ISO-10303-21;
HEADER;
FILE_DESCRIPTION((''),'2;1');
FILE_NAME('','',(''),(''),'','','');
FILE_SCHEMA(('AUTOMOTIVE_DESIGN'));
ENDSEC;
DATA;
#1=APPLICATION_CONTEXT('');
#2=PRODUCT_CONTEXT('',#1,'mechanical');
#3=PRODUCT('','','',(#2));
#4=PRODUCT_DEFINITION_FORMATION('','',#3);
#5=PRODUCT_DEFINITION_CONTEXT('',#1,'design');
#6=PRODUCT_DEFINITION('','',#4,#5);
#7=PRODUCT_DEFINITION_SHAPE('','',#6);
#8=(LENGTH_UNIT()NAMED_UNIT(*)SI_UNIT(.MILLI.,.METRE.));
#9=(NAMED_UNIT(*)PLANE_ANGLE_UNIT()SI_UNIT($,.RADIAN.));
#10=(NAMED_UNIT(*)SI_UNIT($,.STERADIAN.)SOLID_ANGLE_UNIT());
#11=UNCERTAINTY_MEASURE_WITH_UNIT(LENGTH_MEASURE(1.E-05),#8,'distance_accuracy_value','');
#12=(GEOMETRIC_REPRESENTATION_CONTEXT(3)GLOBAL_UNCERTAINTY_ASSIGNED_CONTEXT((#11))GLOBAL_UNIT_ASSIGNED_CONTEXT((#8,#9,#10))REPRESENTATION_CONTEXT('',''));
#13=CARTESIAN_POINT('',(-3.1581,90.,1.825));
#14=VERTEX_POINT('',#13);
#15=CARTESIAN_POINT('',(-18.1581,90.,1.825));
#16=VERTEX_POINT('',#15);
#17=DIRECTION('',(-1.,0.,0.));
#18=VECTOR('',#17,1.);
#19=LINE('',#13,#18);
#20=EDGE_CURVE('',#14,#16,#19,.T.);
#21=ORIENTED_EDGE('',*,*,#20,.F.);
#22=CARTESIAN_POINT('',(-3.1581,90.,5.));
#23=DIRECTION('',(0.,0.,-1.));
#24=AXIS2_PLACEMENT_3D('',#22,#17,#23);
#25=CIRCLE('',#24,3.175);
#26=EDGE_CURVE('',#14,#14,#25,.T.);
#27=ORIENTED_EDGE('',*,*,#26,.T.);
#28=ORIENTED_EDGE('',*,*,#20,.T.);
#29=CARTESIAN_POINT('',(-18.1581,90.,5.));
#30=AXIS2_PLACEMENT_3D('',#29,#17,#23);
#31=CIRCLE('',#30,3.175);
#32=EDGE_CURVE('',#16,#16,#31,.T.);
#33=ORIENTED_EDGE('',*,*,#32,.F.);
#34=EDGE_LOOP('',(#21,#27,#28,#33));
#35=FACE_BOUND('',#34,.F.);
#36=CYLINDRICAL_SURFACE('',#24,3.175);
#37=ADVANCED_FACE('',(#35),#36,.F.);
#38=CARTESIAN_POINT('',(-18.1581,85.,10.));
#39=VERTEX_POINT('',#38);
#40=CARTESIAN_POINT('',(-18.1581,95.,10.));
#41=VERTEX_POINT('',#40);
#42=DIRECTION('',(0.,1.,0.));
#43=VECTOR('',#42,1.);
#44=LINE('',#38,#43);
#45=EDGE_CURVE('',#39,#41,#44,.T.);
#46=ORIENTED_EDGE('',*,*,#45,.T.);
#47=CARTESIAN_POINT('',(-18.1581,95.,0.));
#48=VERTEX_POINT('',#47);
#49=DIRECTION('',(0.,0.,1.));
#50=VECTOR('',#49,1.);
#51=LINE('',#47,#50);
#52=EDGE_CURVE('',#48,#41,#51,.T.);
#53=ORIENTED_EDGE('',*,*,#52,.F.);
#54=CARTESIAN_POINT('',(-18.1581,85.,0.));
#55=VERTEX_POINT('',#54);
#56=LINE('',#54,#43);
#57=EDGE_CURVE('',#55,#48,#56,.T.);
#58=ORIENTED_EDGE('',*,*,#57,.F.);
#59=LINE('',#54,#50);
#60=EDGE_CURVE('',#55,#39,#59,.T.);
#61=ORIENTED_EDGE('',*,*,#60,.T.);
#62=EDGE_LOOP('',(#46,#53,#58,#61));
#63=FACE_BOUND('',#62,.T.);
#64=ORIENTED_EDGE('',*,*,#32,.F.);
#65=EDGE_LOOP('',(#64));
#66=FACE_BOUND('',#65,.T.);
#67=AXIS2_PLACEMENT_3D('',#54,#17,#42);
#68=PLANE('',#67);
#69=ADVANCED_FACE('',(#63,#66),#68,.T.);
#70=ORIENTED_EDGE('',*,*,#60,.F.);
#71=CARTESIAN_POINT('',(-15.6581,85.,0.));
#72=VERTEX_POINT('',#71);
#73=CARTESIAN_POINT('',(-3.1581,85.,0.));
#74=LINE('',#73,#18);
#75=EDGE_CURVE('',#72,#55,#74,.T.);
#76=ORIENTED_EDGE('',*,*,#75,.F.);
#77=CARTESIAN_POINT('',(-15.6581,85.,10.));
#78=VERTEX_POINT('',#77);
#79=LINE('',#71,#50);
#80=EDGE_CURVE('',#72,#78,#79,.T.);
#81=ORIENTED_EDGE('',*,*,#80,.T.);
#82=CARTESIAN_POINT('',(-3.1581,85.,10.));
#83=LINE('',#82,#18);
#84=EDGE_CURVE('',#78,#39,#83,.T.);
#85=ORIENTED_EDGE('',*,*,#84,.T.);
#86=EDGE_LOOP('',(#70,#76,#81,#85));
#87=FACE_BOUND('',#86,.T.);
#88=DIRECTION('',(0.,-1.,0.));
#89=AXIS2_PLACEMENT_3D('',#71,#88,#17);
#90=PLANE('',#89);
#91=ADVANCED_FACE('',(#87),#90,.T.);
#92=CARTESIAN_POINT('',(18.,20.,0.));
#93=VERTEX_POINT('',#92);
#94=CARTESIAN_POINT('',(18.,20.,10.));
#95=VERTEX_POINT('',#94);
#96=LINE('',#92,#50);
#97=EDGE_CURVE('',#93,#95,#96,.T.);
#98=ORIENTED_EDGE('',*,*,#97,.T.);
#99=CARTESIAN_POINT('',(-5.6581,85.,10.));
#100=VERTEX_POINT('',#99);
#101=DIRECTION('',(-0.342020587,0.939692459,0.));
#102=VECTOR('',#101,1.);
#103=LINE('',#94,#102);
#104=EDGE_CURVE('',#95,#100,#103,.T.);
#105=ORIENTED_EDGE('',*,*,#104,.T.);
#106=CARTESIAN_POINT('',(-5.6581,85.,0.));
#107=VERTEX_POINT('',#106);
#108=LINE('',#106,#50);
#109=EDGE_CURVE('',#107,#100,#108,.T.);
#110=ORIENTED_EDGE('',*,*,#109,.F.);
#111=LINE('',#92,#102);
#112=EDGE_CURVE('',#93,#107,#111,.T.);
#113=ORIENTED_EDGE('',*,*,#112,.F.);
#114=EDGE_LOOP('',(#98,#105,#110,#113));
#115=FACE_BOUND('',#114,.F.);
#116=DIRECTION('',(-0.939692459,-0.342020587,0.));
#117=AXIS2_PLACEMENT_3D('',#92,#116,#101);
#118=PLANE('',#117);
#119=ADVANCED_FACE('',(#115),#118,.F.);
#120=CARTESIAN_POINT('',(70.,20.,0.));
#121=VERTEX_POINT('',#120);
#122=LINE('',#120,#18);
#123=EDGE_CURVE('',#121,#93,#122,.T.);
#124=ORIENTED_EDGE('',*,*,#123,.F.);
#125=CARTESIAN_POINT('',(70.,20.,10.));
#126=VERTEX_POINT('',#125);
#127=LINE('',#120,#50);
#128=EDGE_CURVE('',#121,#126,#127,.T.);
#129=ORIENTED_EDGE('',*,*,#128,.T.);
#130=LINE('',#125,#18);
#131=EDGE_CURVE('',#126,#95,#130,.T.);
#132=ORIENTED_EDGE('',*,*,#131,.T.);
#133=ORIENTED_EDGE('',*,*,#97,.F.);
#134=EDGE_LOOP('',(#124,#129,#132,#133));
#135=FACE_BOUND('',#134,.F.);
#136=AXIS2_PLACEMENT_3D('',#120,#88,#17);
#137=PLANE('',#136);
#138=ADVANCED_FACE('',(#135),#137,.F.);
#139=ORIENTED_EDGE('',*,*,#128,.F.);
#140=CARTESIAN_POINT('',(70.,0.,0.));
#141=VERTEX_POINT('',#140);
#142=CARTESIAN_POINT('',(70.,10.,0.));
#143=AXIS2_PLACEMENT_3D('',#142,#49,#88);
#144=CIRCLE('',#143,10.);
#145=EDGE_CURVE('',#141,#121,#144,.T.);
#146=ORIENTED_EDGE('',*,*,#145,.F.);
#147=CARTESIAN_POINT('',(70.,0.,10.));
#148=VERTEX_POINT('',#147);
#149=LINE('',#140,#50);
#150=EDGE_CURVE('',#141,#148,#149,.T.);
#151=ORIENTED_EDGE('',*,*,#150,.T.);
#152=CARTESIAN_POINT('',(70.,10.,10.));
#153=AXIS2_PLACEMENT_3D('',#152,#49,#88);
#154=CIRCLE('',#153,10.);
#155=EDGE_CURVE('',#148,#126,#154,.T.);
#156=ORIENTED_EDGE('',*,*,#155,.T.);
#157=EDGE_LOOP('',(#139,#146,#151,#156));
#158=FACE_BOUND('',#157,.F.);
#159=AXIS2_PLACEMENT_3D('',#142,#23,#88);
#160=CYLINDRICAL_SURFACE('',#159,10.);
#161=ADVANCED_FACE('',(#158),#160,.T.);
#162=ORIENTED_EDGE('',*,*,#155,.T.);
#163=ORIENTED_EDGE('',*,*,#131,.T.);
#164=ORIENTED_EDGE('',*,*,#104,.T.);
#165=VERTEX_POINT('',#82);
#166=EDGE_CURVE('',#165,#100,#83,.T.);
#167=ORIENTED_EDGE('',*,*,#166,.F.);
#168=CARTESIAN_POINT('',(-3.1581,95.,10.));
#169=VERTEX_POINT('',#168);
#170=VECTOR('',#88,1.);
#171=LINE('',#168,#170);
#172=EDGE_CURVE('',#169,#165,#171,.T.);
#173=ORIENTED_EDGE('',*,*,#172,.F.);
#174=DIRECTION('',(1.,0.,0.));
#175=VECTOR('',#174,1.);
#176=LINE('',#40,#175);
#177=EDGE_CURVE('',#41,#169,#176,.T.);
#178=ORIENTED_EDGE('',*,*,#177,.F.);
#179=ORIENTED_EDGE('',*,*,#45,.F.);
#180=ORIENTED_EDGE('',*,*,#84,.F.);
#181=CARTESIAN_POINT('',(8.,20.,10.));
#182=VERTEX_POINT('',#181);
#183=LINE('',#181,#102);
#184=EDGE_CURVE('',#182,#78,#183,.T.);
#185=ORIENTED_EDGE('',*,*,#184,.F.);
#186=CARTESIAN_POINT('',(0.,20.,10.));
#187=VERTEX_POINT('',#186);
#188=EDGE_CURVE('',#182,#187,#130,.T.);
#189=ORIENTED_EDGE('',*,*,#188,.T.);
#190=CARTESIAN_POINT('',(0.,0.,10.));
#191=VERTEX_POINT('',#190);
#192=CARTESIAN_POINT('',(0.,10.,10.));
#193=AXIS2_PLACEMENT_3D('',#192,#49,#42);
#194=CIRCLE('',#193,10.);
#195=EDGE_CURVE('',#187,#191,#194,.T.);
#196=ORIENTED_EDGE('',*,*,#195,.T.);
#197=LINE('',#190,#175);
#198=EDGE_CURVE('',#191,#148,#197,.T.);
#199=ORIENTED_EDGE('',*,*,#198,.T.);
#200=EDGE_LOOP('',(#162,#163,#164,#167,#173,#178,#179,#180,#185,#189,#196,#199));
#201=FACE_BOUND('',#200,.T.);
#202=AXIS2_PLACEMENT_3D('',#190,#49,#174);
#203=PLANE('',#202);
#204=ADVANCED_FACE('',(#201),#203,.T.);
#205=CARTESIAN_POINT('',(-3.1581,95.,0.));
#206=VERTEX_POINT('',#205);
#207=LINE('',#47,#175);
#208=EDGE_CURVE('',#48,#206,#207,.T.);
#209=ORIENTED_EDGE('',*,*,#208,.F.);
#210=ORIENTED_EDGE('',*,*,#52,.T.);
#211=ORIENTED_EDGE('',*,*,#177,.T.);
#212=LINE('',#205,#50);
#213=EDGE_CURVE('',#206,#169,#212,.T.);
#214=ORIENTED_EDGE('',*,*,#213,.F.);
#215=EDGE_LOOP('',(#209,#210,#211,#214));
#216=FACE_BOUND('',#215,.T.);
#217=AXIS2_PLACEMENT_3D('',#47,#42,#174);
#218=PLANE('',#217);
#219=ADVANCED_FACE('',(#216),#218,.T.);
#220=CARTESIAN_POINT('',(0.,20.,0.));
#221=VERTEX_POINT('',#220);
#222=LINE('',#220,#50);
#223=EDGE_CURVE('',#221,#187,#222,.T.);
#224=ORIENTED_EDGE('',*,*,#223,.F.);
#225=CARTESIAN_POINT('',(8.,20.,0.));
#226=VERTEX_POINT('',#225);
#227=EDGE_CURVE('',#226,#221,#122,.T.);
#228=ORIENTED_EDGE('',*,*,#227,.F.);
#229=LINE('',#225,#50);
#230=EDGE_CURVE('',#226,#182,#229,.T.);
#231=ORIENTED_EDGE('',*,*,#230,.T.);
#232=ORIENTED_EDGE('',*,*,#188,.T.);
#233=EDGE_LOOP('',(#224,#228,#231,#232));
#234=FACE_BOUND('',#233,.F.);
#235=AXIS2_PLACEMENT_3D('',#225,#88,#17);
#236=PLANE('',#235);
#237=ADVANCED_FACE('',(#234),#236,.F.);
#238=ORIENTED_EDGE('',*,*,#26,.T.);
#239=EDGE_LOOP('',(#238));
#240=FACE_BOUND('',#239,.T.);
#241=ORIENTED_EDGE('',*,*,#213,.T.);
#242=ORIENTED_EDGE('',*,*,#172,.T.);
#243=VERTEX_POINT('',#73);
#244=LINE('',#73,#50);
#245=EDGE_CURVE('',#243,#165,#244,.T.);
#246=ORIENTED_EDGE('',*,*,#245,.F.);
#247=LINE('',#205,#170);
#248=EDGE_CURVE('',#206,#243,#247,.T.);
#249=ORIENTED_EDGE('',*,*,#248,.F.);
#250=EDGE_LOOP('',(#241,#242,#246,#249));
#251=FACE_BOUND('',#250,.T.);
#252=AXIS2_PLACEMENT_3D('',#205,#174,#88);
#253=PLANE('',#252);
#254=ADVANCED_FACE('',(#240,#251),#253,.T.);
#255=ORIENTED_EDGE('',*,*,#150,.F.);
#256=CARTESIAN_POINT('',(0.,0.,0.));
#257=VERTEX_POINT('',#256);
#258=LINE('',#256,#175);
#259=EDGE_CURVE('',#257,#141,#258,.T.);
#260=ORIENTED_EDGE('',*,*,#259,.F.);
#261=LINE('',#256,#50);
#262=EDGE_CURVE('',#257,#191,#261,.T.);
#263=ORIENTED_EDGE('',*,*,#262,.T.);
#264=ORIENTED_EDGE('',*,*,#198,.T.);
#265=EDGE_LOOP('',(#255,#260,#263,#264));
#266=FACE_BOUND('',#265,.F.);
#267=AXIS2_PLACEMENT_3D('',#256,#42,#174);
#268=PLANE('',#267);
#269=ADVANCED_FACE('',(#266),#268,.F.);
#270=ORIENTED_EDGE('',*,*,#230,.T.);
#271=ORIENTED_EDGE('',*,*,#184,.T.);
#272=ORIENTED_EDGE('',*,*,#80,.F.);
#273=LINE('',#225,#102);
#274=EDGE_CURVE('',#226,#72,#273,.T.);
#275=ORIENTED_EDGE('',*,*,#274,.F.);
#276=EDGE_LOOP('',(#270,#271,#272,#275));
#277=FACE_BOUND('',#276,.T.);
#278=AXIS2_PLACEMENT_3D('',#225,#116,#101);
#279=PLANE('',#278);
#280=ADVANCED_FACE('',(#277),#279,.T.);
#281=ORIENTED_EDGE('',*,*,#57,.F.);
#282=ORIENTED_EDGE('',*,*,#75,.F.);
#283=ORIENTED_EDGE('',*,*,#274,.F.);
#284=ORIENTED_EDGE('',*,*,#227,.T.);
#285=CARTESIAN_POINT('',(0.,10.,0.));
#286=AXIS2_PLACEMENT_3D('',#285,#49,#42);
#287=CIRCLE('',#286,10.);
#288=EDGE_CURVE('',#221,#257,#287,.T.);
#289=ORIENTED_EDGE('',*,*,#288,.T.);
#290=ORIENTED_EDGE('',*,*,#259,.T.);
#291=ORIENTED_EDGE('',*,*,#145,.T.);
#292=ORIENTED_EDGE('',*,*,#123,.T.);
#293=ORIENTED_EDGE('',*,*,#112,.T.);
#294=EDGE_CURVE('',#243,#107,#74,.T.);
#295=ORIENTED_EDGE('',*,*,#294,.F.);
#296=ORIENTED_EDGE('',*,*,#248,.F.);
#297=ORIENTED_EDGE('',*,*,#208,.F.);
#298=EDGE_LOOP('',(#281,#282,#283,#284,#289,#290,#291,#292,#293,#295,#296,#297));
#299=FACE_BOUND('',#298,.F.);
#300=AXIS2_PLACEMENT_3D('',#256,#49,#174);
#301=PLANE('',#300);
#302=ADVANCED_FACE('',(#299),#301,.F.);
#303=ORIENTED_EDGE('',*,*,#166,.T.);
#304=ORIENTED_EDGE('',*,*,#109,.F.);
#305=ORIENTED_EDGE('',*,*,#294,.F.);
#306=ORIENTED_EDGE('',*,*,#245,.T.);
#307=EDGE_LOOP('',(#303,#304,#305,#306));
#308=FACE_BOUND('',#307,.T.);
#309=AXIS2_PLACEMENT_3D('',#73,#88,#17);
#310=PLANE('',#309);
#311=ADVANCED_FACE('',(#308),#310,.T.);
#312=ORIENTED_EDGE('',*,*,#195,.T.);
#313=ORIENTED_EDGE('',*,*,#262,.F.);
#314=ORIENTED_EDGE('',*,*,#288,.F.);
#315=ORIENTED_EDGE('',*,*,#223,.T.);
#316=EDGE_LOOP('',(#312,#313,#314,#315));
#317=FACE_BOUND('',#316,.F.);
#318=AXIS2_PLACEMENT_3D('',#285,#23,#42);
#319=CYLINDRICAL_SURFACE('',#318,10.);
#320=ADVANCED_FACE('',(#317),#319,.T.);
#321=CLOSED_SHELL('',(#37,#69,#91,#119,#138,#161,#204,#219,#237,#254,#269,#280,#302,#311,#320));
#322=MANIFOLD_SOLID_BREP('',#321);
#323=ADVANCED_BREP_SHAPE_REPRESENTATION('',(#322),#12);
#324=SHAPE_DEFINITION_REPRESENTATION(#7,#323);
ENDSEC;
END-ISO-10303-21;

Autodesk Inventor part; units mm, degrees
ref_plane "YZ Plane" through (0, 0, 0) normal (1, 0, 0) x (0, 1, 0)
ref_plane "XZ Plane" through (0, 0, 0) normal (0, 1, 0) x (-1, 0, 0)
ref_plane "XY Plane" through (0, 0, 0) normal (0, 0, 1) x (1, 0, 0)
sketch "Szkic1" plane through (0, 0, 0) normal (0, 0, 1) x (1, 0, 0)
  line L0 (0, 0) -> (70, 0)
  line L1 (70, 0) -> (70, 20)
  line L2 (70, 20) -> (0, 20)
  line L3 (0, 20) -> (0, 0)
  arc A0 (70, 0) -> (70, 20) centre (70, 10) ccw
  arc A1 (0, 20) -> (0, 0) centre (0, 10) ccw
  line L4 (8, 20) -> (-15.6581, 85)
  line L5 (18, 20) -> (-5.6581, 85)
  line L6 (18, 20) -> (18, 51.3428) construction
  line L7 (-5.6581, 85) -> (-15.6581, 85)
  line L8 (-18.1581, 95) -> (-3.1581, 95)
  line L9 (-3.1581, 95) -> (-3.1581, 85)
  line L10 (-3.1581, 85) -> (-18.1581, 85)
  line L11 (-18.1581, 85) -> (-18.1581, 95)
  point P0 (-10.6581, 85)
  dimension "d0" = 70
  dimension "d1" = 20
  dimension "d2" = 8
  dimension "d3" = 10
  dimension "d4" = 20
  dimension "d5" = 65
  dimension "d6" = 15
  dimension "d7" = 10
extrude "Wyciągnięcie proste1" add sketch "Szkic1" along normal blind 10
sketch "Szkic2" plane through (-3.1581, 85, 0) normal (1, 0, 0) x (0, 0, -1)
  line L0 (0, 0) -> (0, 10) construction
  line L1 (0, 10) -> (-10, 10) construction
  line L2 (-10, 0) -> (-10, 10) construction
  line L3 (0, 0) -> (-10, 0) construction
  line L4 (-10, 0) -> (0, 10) construction
  point P0 (0, -85)
  point P1 (-5, 5)
hole "Otwór1" at (-3.1581, 90, 5) direction (-1, 0, 0) diameter 6.35 end through all
properties part number "club_ABS"
